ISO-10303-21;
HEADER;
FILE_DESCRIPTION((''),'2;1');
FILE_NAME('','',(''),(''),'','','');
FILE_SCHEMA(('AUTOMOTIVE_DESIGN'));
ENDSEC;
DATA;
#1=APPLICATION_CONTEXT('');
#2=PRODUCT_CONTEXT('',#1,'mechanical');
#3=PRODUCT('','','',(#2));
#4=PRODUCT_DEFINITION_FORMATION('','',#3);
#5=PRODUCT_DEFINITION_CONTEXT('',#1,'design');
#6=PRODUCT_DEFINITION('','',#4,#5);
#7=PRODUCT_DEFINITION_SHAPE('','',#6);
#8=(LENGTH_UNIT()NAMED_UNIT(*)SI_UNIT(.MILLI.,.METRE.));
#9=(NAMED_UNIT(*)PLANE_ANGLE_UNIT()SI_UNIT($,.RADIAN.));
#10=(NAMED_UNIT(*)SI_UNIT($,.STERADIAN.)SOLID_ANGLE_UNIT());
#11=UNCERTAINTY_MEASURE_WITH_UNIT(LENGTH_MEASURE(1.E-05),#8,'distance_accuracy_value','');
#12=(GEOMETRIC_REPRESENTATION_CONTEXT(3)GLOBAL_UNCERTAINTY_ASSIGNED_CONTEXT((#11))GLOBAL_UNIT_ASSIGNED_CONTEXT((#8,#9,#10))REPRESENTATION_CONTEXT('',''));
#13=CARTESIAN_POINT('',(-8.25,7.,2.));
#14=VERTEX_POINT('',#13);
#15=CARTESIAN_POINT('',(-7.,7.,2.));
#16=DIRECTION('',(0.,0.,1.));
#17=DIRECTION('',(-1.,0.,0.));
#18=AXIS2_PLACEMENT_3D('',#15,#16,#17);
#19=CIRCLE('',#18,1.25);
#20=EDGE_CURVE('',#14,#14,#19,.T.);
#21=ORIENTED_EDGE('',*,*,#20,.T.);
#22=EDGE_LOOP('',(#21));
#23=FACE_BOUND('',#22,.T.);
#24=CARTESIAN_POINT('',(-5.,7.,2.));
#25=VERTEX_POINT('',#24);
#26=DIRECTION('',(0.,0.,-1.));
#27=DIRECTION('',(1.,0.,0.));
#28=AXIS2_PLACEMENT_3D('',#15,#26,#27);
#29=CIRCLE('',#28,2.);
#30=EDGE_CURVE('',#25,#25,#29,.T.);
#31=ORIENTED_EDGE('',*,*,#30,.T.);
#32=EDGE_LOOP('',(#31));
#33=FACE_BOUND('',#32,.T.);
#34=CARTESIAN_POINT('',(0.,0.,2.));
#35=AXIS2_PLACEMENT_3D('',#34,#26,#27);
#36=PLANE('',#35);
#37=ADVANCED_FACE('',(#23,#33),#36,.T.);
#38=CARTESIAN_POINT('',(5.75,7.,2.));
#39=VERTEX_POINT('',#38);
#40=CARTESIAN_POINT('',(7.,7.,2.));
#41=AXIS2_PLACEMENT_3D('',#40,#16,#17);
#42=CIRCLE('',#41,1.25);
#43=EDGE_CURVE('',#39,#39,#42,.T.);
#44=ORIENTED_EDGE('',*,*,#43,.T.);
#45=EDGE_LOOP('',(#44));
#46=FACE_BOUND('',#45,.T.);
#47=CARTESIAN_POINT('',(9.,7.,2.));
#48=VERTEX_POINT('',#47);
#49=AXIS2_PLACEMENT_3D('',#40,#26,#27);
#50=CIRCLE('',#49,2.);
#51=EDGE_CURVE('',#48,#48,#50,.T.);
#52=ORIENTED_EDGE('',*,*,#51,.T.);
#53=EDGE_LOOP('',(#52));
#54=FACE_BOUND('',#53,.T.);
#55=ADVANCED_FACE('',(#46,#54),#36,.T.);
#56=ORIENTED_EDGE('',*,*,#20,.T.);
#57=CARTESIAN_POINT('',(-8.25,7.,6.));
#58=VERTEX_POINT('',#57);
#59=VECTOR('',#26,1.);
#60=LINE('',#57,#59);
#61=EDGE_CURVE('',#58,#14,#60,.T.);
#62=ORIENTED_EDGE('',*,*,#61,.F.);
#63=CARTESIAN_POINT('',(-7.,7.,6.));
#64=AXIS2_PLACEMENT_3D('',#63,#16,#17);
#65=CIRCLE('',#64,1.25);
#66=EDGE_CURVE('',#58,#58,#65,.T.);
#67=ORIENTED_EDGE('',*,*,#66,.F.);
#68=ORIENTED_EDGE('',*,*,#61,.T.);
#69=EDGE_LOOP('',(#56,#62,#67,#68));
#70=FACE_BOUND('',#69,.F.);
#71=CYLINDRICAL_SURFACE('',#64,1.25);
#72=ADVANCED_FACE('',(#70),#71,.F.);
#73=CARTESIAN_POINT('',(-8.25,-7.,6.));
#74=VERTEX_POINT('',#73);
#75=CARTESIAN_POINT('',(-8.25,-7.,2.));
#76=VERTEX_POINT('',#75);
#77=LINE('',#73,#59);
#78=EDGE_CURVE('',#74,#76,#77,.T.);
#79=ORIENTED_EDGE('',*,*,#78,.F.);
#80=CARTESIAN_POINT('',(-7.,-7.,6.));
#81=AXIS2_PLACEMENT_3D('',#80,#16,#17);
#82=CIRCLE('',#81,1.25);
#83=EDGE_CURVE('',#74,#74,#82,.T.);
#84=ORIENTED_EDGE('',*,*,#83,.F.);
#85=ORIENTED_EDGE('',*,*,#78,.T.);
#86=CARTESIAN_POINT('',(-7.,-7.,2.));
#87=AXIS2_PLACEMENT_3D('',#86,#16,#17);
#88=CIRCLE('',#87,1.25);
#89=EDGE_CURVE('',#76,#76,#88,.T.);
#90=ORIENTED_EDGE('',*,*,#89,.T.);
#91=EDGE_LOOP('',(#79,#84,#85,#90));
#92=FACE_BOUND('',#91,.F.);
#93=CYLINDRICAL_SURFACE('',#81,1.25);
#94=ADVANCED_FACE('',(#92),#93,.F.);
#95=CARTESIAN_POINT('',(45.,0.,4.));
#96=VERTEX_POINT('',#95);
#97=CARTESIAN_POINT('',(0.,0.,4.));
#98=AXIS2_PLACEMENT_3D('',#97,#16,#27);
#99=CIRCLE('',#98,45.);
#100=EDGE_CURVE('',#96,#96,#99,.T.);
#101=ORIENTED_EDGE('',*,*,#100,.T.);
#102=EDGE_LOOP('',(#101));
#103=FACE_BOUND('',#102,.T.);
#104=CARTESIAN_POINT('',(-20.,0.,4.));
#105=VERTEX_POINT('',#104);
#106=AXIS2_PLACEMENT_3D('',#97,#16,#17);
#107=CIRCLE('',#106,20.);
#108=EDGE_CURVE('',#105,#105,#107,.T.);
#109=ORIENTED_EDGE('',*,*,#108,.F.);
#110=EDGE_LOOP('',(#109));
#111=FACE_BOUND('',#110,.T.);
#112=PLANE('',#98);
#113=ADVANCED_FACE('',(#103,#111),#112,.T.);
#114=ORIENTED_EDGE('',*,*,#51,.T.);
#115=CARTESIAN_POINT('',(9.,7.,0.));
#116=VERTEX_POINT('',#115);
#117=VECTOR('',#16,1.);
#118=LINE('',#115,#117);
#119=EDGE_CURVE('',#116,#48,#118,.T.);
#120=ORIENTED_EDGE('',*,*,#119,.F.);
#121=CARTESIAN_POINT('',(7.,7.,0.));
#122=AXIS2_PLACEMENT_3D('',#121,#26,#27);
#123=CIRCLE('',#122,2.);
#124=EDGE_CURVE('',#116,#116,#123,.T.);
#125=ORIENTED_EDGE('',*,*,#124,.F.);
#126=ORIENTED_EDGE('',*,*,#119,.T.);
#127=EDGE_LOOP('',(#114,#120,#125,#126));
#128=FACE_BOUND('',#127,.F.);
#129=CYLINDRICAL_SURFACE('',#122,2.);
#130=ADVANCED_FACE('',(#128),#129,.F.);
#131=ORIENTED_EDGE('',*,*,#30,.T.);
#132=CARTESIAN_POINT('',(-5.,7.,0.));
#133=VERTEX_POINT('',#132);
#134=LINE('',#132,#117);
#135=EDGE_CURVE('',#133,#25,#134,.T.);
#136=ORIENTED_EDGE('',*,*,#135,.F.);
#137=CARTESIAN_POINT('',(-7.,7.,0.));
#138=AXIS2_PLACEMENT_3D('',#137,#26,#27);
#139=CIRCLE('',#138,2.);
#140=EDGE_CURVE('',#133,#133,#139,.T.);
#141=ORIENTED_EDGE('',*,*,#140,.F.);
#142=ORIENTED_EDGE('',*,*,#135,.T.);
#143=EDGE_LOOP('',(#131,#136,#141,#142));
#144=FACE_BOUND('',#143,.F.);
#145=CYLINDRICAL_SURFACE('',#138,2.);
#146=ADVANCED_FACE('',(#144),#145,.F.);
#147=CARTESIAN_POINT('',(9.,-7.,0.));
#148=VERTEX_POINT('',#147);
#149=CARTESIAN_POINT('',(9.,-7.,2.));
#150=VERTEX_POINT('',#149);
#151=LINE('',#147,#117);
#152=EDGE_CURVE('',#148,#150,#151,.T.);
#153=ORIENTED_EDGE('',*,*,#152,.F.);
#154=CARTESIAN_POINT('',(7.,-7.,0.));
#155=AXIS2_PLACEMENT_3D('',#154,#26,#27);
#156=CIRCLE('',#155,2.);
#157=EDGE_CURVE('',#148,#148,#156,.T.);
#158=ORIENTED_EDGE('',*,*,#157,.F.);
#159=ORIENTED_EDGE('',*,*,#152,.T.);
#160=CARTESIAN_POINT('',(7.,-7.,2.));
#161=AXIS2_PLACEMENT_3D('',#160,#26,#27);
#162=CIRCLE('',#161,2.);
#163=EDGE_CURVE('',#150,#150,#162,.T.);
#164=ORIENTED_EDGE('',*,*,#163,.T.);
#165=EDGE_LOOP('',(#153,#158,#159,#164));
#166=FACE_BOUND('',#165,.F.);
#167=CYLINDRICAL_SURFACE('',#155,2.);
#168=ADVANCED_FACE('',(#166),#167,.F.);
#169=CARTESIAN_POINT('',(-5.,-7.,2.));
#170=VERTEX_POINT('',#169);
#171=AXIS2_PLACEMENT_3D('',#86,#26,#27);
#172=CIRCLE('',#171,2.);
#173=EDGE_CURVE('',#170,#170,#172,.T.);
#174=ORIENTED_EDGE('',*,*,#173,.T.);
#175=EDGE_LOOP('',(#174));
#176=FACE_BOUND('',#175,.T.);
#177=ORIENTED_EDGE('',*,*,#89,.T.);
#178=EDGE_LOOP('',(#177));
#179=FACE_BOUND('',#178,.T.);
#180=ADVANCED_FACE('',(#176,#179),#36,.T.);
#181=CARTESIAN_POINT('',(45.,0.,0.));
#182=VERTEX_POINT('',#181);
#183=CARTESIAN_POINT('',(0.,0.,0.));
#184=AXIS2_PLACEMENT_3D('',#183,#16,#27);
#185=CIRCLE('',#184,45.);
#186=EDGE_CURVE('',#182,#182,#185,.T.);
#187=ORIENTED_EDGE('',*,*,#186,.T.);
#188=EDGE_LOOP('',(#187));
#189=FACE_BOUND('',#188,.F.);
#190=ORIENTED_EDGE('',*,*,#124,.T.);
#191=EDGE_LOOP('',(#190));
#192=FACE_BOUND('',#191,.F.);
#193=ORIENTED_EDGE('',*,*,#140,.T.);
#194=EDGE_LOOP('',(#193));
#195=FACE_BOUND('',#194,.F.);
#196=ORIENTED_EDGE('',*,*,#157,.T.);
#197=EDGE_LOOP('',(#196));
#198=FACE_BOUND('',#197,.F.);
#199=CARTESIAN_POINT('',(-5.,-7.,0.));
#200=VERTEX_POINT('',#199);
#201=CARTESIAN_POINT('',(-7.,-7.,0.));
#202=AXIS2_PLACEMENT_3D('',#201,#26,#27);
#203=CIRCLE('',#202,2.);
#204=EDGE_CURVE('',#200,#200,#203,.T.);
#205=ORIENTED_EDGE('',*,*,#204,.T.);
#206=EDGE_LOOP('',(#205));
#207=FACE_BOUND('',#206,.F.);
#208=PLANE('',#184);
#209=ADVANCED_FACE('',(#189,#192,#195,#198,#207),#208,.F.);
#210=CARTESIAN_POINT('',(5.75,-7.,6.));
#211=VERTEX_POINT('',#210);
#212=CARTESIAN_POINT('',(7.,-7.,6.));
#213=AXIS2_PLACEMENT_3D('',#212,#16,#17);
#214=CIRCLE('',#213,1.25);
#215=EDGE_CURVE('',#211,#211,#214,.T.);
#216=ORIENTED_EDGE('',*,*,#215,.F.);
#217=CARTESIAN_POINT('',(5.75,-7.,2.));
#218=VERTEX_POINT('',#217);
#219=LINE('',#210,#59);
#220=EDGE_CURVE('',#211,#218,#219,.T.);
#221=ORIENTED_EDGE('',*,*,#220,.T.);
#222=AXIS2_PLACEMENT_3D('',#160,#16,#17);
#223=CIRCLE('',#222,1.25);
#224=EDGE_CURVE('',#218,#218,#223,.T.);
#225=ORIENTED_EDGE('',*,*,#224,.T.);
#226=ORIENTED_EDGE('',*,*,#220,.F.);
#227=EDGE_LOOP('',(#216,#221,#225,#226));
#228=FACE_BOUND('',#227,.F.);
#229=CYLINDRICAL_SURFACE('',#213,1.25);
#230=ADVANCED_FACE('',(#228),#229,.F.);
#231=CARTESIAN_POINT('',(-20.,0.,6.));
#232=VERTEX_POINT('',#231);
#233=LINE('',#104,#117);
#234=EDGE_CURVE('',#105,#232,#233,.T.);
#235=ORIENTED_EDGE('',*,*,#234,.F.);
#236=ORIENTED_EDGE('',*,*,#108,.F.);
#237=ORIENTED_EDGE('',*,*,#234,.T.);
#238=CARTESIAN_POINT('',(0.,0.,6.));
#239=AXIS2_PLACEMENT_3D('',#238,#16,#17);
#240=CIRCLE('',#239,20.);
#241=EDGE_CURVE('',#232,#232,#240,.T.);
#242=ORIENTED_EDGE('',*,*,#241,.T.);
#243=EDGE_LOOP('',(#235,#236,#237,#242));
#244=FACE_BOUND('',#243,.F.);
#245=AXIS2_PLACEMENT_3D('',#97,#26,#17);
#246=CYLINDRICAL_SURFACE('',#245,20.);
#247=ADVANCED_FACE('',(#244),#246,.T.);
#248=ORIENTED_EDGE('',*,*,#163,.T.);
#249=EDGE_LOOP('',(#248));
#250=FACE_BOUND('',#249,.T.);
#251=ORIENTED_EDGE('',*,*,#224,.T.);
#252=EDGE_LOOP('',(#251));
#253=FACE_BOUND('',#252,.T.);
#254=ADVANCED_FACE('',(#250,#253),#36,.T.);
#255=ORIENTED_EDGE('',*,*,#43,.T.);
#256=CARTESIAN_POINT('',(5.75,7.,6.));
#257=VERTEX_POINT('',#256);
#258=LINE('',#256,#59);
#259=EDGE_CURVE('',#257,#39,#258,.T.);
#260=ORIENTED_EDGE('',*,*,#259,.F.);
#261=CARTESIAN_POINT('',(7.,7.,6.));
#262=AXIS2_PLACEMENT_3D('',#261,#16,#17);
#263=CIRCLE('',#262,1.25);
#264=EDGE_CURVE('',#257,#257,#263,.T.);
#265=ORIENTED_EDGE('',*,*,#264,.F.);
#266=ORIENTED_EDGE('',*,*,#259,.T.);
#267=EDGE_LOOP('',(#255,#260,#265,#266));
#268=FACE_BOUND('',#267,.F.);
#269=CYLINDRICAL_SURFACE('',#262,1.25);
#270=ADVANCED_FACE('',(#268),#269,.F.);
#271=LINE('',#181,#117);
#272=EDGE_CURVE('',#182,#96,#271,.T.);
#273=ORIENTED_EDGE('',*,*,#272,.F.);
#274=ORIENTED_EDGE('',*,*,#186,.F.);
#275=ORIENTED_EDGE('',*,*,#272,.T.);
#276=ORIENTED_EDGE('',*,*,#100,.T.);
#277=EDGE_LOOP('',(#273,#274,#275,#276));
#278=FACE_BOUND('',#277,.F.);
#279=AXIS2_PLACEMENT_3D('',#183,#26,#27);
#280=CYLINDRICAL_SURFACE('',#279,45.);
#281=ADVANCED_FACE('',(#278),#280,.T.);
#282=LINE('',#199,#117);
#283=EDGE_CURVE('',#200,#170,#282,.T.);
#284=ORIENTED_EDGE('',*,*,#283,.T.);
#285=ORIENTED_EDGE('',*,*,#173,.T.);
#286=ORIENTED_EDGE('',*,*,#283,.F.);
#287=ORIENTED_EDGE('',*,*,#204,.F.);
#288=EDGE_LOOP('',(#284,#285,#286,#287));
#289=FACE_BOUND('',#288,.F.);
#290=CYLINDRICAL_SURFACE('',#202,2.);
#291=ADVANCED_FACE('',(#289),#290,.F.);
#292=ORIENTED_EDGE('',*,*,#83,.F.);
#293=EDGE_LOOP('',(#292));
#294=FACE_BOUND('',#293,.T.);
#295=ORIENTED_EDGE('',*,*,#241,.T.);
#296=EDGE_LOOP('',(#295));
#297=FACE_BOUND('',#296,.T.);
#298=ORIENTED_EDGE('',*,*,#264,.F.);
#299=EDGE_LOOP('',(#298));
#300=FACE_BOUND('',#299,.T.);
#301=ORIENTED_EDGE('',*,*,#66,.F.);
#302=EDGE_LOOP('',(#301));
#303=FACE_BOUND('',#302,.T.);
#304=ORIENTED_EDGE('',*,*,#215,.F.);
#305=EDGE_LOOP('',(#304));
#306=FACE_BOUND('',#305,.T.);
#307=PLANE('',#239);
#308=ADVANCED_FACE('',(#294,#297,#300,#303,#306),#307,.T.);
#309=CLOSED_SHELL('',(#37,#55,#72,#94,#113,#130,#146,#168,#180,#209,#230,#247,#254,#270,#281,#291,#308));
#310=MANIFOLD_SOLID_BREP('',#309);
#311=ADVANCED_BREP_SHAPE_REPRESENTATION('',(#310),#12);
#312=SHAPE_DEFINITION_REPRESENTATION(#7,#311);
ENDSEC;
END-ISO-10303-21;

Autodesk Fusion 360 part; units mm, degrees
sketch "Base" plane through (0, 0, 0) normal (0, 0, 1) x (1, 0, 0)
  circle A0 centre (0, 0) radius 45
  dimension "d1" = 90
extrude "Extrude1" add sketch "Base" along normal blind 4
sketch "Stand" plane through (0, 0, 4) normal (0, 0, 1) x (-1, 0, 0)
  circle A0 centre (0, 0) radius 45
  circle A1 centre (0, 0) radius 20
  dimension "d4" = 40
extrude "Extrude2" add sketch "Stand" along normal blind 2 contours A1
sketch "Holes" plane through (0, 0, 6) normal (0, 0, 1) x (-1, 0, 0)
  circle A0 centre (0, 0) radius 20
  circle A1 centre (7, -7) radius 1.25
  circle A2 centre (-7, -7) radius 1.25
  line L0 (20, 0) -> (20, -20)
  line L1 (20, -20) -> (0, -20)
  line L2 (-20, 0) -> (-20, 20)
  line L3 (-20, 20) -> (0, 20)
  line L4 (20, -20) -> (-20, -20)
  line L5 (-20, -20) -> (-20, 20)
  line L6 (-20, 20) -> (20, 20)
  line L7 (20, 20) -> (20, -20)
  circle A3 centre (7, 7) radius 1.25
  circle A4 centre (-7, 7) radius 1.25
  dimension "d7" = 2.5
  dimension "d8" = 2.5
  dimension "d10" = 13
  dimension "d11" = 13
  dimension "d12" = 13
  dimension "d13" = 13
  dimension "d14" = 2.5
  dimension "d15" = 2.5
  dimension "d16" = 13
  dimension "d17" = 13
  dimension "d18" = 13
  dimension "d19" = 13
extrude "Extrude3" cut sketch "Holes" against normal blind 6 contours A1 | A2 | A3 | A4
sketch "Fillets" plane through (0, 0, 0) normal (0, 0, -1) x (1, 0, 0)
  circle A0 centre (7, -7) radius 1.25
  circle A1 centre (-7, 7) radius 1.25
  circle A2 centre (-7, -7) radius 1.25
  circle A3 centre (7, 7) radius 1.25
  circle A4 centre (0, 0) radius 45
  circle A5 centre (-7, 7) radius 2
  circle A6 centre (7, 7) radius 2
  circle A7 centre (-7, -7) radius 2
  circle A8 centre (7, -7) radius 2
  dimension "d27" = 4
  dimension "d28" = 4
  dimension "d29" = 4
  dimension "d30" = 4
extrude "Extrude5" cut sketch "Fillets" against normal blind 2 contours A5 | A6 | A7 | A8
